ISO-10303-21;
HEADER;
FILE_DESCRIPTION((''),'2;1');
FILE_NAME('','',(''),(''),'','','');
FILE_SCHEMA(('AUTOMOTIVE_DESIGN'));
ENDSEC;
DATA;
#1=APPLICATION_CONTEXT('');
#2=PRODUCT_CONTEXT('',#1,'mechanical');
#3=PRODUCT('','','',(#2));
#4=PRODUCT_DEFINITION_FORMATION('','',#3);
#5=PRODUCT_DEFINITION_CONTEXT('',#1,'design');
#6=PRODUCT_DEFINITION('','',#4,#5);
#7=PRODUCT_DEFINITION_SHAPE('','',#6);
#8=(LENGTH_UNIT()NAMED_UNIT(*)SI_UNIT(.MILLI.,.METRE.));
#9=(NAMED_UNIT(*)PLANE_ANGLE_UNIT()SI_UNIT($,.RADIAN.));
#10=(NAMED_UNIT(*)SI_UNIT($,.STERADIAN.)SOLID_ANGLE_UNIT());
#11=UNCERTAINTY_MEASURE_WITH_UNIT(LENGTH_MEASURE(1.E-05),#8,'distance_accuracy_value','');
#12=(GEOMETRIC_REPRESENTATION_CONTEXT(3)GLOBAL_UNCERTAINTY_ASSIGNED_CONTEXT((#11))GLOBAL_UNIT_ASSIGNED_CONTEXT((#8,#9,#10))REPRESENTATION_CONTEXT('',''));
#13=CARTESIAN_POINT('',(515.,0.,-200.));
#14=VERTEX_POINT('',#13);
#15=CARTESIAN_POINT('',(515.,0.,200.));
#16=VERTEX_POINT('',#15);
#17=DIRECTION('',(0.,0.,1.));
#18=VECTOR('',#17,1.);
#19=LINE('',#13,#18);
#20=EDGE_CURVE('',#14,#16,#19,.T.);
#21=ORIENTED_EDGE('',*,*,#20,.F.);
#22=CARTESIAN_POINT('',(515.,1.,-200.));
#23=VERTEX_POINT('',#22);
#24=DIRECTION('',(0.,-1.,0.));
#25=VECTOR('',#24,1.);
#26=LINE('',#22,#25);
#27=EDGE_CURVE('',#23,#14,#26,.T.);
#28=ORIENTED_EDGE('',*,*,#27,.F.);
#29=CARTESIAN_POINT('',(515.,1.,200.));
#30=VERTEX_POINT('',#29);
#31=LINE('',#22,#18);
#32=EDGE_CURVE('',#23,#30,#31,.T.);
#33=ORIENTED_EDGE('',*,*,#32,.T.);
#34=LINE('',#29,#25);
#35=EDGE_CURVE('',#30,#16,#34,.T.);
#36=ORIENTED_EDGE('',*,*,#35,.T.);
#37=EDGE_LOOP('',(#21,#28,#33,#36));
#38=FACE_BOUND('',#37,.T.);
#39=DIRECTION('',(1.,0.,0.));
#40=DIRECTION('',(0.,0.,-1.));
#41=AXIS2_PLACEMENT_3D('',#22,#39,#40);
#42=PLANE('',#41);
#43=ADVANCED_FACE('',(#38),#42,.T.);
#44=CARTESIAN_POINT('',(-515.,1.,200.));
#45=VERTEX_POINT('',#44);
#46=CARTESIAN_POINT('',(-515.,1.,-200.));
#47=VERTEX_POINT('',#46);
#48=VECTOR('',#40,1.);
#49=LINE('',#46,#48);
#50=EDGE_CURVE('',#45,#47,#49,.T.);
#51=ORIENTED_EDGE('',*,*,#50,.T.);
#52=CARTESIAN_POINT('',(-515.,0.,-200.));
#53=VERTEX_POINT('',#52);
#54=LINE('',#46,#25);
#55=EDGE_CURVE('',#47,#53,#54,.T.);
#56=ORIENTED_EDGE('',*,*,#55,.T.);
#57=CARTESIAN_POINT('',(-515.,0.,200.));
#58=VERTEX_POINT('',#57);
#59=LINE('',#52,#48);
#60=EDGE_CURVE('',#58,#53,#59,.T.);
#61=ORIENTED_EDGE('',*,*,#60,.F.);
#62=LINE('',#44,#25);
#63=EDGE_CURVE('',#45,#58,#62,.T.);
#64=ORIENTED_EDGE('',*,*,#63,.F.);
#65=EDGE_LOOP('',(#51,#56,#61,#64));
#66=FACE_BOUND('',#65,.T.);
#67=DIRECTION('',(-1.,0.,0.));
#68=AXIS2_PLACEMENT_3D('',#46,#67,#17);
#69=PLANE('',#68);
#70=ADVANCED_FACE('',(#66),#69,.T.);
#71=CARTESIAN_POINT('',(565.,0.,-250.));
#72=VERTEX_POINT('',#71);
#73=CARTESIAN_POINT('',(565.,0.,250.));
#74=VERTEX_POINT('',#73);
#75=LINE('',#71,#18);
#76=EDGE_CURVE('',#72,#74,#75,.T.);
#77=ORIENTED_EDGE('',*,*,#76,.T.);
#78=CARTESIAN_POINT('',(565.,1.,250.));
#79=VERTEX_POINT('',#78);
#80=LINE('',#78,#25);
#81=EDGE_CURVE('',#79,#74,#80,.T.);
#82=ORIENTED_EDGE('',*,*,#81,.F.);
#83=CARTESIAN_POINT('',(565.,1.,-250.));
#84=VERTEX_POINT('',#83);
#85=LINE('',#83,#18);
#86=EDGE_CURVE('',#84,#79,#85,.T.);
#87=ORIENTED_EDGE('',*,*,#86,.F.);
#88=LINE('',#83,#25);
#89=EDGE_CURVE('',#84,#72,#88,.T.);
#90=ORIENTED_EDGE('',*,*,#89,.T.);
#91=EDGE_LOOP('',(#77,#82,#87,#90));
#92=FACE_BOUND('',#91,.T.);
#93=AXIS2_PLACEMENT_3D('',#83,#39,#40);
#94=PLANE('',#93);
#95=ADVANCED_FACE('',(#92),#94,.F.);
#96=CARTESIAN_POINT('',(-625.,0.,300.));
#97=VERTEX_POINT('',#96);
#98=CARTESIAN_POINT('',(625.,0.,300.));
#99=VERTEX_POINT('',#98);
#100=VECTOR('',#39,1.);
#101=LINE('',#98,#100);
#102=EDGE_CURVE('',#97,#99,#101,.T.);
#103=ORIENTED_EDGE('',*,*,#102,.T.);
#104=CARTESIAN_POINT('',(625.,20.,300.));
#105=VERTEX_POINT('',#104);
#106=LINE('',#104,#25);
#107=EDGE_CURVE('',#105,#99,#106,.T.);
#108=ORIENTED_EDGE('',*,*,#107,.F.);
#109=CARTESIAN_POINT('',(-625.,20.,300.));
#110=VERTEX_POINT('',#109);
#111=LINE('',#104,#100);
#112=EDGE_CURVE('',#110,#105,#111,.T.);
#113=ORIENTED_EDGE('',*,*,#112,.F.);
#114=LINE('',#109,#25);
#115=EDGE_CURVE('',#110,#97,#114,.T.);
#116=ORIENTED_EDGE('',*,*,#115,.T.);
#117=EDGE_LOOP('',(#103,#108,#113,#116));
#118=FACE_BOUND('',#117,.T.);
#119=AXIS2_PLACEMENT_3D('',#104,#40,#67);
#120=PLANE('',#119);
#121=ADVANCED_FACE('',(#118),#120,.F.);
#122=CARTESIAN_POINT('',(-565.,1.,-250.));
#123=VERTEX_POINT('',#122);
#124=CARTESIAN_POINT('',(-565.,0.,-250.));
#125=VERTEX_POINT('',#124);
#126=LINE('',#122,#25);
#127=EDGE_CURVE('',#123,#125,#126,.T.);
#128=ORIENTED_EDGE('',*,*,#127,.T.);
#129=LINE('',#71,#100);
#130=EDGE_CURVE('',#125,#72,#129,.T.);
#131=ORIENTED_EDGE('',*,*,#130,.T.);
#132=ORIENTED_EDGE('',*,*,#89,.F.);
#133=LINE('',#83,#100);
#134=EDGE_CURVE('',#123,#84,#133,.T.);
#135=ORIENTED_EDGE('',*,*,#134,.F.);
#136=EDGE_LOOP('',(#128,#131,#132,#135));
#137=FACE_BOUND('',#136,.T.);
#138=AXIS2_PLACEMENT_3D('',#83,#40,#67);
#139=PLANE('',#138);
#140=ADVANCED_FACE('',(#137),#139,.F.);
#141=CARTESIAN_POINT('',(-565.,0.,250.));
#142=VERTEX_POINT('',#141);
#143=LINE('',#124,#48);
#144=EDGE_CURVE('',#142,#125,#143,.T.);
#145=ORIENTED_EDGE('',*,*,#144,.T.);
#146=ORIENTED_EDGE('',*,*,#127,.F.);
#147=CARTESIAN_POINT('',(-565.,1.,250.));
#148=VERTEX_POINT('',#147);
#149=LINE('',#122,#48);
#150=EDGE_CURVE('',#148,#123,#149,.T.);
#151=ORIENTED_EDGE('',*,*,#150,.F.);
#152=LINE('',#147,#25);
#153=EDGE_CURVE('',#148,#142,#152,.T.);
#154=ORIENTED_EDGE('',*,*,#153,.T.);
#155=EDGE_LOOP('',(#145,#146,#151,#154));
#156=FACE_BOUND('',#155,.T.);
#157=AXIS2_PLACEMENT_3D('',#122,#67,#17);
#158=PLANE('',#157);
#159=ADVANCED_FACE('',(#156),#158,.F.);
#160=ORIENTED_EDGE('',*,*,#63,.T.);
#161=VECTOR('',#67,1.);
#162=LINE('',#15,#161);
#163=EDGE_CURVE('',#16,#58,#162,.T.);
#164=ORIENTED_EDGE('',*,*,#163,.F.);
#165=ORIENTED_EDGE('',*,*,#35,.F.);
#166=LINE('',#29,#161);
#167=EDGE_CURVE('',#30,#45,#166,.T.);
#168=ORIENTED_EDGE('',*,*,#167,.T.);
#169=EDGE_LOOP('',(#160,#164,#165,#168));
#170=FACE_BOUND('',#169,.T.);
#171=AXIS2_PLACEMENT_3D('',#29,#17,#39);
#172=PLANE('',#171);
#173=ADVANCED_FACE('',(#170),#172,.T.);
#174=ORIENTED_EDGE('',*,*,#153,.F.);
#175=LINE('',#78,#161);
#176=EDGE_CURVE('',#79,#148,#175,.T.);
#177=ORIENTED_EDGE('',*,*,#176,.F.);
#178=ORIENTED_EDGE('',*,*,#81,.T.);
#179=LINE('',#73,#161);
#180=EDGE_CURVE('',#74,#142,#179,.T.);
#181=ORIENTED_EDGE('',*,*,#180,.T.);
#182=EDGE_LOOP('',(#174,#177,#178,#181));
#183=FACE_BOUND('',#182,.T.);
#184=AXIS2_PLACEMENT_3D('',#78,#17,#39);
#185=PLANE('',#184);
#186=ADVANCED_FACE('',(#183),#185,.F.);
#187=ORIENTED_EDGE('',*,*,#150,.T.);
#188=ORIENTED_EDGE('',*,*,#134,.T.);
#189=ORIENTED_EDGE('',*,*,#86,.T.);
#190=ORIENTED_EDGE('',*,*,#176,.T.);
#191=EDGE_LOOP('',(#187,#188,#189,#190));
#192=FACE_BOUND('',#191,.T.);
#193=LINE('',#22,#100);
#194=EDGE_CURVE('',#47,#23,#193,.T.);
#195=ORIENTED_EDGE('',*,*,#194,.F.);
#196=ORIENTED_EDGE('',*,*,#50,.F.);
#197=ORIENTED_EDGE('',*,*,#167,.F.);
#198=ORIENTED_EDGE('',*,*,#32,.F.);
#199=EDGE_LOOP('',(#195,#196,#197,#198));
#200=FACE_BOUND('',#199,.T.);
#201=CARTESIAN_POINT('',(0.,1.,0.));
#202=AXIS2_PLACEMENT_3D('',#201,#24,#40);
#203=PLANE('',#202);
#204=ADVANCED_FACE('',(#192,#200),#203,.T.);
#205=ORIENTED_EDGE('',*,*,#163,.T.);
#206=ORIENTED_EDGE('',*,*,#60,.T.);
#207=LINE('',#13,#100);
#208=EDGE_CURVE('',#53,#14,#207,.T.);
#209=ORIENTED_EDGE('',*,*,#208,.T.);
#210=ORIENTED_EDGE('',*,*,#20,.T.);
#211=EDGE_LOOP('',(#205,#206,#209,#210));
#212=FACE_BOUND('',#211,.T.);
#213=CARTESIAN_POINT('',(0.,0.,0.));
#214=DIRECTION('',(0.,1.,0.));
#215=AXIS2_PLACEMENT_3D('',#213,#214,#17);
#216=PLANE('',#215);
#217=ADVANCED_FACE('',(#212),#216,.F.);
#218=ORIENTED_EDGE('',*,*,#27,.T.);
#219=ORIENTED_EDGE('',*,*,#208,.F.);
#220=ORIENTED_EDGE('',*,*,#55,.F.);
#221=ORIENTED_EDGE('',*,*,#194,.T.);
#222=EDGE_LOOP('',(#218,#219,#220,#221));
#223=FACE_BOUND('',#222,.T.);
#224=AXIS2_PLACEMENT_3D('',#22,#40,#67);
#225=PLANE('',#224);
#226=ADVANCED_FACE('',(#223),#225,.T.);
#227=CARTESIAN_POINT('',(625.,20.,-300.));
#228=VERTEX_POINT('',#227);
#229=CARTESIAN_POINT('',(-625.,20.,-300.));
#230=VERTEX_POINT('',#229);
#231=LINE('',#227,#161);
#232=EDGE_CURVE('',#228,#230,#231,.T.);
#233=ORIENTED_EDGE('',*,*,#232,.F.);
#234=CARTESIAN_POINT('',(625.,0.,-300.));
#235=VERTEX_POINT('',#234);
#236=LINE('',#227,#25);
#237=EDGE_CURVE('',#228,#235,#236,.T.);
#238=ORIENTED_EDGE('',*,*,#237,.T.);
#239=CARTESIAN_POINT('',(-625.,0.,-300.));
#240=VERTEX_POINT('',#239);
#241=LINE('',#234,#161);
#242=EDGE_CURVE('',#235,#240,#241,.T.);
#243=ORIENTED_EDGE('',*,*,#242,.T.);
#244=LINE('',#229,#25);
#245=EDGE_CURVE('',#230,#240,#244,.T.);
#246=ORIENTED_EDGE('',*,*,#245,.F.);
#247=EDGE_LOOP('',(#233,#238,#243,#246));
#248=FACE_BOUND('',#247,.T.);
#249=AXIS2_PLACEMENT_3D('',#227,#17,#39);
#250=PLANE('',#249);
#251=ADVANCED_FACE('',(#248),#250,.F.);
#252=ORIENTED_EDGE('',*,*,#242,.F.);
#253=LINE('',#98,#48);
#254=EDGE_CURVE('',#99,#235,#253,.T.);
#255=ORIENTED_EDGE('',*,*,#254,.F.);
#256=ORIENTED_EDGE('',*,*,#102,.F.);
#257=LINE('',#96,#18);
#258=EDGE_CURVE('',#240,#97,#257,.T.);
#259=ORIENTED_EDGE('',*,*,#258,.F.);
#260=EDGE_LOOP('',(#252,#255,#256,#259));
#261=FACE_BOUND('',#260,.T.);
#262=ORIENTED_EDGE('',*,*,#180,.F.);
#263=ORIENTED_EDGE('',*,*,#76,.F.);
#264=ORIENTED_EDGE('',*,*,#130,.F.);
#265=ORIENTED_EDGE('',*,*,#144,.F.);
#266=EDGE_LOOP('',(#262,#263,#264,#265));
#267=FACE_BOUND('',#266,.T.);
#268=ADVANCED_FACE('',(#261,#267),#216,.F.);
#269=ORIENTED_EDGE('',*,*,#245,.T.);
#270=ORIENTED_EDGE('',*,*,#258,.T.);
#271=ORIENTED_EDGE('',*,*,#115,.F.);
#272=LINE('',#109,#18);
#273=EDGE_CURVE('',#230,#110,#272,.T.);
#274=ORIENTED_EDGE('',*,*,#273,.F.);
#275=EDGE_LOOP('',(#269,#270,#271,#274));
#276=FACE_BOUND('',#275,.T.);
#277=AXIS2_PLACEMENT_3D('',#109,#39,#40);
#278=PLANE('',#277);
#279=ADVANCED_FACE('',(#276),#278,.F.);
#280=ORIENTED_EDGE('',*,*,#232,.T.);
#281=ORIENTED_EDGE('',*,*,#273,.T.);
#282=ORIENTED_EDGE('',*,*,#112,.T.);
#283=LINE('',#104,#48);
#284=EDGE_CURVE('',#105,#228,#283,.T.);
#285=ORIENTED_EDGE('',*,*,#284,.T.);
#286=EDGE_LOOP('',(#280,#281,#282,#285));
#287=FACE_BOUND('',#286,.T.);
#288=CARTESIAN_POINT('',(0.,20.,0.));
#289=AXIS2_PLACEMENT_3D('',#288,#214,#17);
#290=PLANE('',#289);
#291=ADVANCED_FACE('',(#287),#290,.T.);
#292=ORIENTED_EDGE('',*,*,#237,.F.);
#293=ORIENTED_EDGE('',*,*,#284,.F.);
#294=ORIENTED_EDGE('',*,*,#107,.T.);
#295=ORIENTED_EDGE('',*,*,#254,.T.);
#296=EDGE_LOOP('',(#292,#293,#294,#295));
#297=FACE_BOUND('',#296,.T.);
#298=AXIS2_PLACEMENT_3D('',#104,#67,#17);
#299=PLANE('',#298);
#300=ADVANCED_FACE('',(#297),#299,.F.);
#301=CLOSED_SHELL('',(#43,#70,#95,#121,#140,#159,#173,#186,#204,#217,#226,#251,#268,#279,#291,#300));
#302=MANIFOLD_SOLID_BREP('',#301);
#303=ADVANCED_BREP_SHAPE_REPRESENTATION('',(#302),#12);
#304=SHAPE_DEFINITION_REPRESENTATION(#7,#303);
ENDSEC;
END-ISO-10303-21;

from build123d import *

# Parameters (mm, degrees)
SKETCH1_W           = 1250
SKETCH1_H           = 600
BOSS_EXTRUDE3_DEPTH = 20
SKETCH6_W           = 1130
SKETCH6_H           = 500
SKETCH6_W_2         = 1030
SKETCH6_H_2         = 400
CUT_EXTRUDE6_DEPTH  = 1


with BuildPart() as part:
    # Sketch1 → Boss-Extrude3 (new body)
    with BuildSketch(Plane(origin=(0, 0, 0), x_dir=(1, 0, 0), z_dir=(0, 1, 0))):
        Rectangle(SKETCH1_W, SKETCH1_H)
    extrude(amount=BOSS_EXTRUDE3_DEPTH)

    # Sketch6 → Cut-Extrude6 (cut)
    with BuildSketch(Plane.XZ):
        Rectangle(SKETCH6_W, SKETCH6_H)
        Rectangle(SKETCH6_W_2, SKETCH6_H_2, mode=Mode.SUBTRACT)
    extrude(amount=-CUT_EXTRUDE6_DEPTH, mode=Mode.SUBTRACT)


solid = part.part
